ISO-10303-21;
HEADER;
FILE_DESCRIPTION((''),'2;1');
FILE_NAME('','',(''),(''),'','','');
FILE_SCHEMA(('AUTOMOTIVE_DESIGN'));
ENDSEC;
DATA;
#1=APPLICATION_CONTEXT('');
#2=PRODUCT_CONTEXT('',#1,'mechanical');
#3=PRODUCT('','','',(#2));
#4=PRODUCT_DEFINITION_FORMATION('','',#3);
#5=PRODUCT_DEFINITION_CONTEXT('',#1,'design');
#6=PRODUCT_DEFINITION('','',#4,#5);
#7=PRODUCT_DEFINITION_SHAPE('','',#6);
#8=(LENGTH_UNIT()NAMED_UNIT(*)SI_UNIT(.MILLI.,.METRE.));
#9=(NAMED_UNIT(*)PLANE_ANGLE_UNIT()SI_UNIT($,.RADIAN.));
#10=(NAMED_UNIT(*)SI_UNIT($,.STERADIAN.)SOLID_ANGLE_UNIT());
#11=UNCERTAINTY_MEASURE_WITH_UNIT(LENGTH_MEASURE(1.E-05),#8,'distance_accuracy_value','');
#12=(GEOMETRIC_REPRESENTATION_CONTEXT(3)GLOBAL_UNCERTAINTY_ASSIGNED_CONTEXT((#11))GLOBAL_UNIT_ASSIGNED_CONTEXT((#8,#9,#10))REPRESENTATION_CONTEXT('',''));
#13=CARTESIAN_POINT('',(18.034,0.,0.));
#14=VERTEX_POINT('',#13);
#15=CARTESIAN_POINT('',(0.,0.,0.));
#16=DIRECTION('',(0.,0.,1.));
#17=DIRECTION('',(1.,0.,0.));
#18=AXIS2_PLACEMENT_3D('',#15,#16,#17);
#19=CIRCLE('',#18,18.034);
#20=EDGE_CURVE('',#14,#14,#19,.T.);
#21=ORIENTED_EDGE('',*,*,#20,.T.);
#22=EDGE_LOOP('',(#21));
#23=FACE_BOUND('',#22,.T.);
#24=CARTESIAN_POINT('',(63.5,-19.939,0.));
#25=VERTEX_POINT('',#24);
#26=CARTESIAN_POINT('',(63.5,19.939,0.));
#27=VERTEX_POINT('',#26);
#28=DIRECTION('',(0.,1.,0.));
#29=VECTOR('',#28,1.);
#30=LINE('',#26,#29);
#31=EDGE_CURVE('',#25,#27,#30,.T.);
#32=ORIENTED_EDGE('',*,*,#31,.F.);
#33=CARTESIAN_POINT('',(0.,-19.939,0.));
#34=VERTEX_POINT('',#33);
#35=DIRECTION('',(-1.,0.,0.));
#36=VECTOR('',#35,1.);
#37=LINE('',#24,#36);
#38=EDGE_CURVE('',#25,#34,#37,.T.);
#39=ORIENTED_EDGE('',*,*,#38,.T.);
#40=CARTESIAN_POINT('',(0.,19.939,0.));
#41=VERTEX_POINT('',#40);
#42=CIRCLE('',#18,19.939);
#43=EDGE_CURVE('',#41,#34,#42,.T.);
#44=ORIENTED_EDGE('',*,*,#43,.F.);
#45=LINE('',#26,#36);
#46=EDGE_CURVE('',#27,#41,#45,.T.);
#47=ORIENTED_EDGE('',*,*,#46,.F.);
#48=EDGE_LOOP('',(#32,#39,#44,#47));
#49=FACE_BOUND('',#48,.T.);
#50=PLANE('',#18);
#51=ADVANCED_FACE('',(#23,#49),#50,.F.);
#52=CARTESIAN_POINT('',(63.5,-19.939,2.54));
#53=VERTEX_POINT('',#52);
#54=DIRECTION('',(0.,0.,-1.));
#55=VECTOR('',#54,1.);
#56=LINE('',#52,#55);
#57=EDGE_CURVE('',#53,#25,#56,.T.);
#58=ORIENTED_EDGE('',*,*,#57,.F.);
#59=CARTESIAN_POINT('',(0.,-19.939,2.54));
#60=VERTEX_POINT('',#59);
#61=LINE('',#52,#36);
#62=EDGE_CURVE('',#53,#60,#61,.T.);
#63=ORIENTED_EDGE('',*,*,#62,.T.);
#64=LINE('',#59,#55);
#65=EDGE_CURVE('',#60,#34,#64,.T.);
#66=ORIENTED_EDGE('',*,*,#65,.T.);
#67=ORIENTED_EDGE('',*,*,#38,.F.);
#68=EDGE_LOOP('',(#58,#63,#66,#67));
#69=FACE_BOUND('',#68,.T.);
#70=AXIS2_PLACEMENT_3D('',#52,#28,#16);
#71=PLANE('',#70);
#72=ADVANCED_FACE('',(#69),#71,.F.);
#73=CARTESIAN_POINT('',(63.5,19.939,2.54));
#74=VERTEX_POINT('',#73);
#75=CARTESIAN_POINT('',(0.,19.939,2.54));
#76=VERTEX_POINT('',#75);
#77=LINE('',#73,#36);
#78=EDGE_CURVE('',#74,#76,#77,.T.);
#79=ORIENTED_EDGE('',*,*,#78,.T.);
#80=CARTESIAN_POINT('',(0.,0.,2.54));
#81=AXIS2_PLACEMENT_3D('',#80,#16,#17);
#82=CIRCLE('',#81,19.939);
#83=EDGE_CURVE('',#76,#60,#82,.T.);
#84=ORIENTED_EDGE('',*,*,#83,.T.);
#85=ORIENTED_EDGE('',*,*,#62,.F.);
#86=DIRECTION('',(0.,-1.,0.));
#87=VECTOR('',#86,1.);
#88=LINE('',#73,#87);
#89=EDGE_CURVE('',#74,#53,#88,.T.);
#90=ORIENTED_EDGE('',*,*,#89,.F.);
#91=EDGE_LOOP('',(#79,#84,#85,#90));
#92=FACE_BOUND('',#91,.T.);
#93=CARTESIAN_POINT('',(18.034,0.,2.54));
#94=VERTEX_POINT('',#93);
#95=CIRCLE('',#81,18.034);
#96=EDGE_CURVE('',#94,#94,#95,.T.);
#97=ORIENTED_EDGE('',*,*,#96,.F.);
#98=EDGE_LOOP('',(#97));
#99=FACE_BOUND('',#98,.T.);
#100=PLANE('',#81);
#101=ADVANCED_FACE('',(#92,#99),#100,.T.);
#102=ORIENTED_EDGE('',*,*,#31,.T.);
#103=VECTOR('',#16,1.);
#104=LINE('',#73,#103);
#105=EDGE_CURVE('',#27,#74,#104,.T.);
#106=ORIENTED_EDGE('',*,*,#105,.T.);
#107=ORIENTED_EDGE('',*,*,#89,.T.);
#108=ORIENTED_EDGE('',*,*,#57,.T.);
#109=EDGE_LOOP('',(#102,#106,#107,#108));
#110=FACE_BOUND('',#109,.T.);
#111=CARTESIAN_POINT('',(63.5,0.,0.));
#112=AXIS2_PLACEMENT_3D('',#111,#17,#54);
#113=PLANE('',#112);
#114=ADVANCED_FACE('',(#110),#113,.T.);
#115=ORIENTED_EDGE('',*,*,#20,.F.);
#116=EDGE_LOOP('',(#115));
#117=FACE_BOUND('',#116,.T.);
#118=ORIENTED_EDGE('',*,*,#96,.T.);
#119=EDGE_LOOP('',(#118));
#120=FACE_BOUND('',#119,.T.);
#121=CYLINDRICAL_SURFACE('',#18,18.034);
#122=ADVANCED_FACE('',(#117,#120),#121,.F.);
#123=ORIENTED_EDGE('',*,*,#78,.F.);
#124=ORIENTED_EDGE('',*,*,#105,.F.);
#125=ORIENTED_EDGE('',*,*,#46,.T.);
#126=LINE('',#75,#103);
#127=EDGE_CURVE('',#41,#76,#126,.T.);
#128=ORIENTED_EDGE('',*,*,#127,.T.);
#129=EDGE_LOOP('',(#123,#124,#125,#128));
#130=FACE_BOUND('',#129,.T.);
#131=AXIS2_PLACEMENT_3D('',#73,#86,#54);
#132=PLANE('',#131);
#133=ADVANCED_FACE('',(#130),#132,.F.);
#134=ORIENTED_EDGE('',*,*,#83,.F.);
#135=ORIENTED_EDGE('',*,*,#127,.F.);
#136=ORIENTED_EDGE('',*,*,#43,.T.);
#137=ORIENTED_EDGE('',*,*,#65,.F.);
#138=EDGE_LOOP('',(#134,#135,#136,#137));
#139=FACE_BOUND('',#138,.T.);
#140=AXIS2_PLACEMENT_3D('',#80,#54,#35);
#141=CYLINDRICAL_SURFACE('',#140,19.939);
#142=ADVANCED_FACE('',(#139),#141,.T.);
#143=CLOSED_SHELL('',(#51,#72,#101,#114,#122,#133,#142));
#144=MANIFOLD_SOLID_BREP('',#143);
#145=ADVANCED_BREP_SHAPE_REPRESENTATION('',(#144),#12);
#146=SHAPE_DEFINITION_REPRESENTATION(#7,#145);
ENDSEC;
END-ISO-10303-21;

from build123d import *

# Parameters (mm, degrees)
SKETCH1_R           = 19.939
BOSS_EXTRUDE1_DEPTH = 2.54
SKETCH3_W           = 2.54
SKETCH3_H           = 39.878
BOSS_EXTRUDE2_DEPTH = 63.5
SKETCH2_R           = 18.034
CUT_EXTRUDE1_DEPTH  = 2.54


with BuildPart() as part:
    # Sketch1 → Boss-Extrude1 (new body)
    with BuildSketch(Plane.XY):
        Circle(SKETCH1_R)
    extrude(amount=BOSS_EXTRUDE1_DEPTH)

    # Sketch3 → Boss-Extrude2 (add)
    with BuildSketch(Plane(origin=(0, 0, 0), x_dir=(0, 0, -1), z_dir=(1, 0, 0))):
        with Locations((-1.27, 0)):
            Rectangle(SKETCH3_W, SKETCH3_H)
    extrude(amount=BOSS_EXTRUDE2_DEPTH)

    # Sketch2 → Cut-Extrude1 (cut)
    with BuildSketch(Plane.XY.offset(2.54)):
        Circle(SKETCH2_R)
    extrude(amount=-CUT_EXTRUDE1_DEPTH, mode=Mode.SUBTRACT)


solid = part.part
